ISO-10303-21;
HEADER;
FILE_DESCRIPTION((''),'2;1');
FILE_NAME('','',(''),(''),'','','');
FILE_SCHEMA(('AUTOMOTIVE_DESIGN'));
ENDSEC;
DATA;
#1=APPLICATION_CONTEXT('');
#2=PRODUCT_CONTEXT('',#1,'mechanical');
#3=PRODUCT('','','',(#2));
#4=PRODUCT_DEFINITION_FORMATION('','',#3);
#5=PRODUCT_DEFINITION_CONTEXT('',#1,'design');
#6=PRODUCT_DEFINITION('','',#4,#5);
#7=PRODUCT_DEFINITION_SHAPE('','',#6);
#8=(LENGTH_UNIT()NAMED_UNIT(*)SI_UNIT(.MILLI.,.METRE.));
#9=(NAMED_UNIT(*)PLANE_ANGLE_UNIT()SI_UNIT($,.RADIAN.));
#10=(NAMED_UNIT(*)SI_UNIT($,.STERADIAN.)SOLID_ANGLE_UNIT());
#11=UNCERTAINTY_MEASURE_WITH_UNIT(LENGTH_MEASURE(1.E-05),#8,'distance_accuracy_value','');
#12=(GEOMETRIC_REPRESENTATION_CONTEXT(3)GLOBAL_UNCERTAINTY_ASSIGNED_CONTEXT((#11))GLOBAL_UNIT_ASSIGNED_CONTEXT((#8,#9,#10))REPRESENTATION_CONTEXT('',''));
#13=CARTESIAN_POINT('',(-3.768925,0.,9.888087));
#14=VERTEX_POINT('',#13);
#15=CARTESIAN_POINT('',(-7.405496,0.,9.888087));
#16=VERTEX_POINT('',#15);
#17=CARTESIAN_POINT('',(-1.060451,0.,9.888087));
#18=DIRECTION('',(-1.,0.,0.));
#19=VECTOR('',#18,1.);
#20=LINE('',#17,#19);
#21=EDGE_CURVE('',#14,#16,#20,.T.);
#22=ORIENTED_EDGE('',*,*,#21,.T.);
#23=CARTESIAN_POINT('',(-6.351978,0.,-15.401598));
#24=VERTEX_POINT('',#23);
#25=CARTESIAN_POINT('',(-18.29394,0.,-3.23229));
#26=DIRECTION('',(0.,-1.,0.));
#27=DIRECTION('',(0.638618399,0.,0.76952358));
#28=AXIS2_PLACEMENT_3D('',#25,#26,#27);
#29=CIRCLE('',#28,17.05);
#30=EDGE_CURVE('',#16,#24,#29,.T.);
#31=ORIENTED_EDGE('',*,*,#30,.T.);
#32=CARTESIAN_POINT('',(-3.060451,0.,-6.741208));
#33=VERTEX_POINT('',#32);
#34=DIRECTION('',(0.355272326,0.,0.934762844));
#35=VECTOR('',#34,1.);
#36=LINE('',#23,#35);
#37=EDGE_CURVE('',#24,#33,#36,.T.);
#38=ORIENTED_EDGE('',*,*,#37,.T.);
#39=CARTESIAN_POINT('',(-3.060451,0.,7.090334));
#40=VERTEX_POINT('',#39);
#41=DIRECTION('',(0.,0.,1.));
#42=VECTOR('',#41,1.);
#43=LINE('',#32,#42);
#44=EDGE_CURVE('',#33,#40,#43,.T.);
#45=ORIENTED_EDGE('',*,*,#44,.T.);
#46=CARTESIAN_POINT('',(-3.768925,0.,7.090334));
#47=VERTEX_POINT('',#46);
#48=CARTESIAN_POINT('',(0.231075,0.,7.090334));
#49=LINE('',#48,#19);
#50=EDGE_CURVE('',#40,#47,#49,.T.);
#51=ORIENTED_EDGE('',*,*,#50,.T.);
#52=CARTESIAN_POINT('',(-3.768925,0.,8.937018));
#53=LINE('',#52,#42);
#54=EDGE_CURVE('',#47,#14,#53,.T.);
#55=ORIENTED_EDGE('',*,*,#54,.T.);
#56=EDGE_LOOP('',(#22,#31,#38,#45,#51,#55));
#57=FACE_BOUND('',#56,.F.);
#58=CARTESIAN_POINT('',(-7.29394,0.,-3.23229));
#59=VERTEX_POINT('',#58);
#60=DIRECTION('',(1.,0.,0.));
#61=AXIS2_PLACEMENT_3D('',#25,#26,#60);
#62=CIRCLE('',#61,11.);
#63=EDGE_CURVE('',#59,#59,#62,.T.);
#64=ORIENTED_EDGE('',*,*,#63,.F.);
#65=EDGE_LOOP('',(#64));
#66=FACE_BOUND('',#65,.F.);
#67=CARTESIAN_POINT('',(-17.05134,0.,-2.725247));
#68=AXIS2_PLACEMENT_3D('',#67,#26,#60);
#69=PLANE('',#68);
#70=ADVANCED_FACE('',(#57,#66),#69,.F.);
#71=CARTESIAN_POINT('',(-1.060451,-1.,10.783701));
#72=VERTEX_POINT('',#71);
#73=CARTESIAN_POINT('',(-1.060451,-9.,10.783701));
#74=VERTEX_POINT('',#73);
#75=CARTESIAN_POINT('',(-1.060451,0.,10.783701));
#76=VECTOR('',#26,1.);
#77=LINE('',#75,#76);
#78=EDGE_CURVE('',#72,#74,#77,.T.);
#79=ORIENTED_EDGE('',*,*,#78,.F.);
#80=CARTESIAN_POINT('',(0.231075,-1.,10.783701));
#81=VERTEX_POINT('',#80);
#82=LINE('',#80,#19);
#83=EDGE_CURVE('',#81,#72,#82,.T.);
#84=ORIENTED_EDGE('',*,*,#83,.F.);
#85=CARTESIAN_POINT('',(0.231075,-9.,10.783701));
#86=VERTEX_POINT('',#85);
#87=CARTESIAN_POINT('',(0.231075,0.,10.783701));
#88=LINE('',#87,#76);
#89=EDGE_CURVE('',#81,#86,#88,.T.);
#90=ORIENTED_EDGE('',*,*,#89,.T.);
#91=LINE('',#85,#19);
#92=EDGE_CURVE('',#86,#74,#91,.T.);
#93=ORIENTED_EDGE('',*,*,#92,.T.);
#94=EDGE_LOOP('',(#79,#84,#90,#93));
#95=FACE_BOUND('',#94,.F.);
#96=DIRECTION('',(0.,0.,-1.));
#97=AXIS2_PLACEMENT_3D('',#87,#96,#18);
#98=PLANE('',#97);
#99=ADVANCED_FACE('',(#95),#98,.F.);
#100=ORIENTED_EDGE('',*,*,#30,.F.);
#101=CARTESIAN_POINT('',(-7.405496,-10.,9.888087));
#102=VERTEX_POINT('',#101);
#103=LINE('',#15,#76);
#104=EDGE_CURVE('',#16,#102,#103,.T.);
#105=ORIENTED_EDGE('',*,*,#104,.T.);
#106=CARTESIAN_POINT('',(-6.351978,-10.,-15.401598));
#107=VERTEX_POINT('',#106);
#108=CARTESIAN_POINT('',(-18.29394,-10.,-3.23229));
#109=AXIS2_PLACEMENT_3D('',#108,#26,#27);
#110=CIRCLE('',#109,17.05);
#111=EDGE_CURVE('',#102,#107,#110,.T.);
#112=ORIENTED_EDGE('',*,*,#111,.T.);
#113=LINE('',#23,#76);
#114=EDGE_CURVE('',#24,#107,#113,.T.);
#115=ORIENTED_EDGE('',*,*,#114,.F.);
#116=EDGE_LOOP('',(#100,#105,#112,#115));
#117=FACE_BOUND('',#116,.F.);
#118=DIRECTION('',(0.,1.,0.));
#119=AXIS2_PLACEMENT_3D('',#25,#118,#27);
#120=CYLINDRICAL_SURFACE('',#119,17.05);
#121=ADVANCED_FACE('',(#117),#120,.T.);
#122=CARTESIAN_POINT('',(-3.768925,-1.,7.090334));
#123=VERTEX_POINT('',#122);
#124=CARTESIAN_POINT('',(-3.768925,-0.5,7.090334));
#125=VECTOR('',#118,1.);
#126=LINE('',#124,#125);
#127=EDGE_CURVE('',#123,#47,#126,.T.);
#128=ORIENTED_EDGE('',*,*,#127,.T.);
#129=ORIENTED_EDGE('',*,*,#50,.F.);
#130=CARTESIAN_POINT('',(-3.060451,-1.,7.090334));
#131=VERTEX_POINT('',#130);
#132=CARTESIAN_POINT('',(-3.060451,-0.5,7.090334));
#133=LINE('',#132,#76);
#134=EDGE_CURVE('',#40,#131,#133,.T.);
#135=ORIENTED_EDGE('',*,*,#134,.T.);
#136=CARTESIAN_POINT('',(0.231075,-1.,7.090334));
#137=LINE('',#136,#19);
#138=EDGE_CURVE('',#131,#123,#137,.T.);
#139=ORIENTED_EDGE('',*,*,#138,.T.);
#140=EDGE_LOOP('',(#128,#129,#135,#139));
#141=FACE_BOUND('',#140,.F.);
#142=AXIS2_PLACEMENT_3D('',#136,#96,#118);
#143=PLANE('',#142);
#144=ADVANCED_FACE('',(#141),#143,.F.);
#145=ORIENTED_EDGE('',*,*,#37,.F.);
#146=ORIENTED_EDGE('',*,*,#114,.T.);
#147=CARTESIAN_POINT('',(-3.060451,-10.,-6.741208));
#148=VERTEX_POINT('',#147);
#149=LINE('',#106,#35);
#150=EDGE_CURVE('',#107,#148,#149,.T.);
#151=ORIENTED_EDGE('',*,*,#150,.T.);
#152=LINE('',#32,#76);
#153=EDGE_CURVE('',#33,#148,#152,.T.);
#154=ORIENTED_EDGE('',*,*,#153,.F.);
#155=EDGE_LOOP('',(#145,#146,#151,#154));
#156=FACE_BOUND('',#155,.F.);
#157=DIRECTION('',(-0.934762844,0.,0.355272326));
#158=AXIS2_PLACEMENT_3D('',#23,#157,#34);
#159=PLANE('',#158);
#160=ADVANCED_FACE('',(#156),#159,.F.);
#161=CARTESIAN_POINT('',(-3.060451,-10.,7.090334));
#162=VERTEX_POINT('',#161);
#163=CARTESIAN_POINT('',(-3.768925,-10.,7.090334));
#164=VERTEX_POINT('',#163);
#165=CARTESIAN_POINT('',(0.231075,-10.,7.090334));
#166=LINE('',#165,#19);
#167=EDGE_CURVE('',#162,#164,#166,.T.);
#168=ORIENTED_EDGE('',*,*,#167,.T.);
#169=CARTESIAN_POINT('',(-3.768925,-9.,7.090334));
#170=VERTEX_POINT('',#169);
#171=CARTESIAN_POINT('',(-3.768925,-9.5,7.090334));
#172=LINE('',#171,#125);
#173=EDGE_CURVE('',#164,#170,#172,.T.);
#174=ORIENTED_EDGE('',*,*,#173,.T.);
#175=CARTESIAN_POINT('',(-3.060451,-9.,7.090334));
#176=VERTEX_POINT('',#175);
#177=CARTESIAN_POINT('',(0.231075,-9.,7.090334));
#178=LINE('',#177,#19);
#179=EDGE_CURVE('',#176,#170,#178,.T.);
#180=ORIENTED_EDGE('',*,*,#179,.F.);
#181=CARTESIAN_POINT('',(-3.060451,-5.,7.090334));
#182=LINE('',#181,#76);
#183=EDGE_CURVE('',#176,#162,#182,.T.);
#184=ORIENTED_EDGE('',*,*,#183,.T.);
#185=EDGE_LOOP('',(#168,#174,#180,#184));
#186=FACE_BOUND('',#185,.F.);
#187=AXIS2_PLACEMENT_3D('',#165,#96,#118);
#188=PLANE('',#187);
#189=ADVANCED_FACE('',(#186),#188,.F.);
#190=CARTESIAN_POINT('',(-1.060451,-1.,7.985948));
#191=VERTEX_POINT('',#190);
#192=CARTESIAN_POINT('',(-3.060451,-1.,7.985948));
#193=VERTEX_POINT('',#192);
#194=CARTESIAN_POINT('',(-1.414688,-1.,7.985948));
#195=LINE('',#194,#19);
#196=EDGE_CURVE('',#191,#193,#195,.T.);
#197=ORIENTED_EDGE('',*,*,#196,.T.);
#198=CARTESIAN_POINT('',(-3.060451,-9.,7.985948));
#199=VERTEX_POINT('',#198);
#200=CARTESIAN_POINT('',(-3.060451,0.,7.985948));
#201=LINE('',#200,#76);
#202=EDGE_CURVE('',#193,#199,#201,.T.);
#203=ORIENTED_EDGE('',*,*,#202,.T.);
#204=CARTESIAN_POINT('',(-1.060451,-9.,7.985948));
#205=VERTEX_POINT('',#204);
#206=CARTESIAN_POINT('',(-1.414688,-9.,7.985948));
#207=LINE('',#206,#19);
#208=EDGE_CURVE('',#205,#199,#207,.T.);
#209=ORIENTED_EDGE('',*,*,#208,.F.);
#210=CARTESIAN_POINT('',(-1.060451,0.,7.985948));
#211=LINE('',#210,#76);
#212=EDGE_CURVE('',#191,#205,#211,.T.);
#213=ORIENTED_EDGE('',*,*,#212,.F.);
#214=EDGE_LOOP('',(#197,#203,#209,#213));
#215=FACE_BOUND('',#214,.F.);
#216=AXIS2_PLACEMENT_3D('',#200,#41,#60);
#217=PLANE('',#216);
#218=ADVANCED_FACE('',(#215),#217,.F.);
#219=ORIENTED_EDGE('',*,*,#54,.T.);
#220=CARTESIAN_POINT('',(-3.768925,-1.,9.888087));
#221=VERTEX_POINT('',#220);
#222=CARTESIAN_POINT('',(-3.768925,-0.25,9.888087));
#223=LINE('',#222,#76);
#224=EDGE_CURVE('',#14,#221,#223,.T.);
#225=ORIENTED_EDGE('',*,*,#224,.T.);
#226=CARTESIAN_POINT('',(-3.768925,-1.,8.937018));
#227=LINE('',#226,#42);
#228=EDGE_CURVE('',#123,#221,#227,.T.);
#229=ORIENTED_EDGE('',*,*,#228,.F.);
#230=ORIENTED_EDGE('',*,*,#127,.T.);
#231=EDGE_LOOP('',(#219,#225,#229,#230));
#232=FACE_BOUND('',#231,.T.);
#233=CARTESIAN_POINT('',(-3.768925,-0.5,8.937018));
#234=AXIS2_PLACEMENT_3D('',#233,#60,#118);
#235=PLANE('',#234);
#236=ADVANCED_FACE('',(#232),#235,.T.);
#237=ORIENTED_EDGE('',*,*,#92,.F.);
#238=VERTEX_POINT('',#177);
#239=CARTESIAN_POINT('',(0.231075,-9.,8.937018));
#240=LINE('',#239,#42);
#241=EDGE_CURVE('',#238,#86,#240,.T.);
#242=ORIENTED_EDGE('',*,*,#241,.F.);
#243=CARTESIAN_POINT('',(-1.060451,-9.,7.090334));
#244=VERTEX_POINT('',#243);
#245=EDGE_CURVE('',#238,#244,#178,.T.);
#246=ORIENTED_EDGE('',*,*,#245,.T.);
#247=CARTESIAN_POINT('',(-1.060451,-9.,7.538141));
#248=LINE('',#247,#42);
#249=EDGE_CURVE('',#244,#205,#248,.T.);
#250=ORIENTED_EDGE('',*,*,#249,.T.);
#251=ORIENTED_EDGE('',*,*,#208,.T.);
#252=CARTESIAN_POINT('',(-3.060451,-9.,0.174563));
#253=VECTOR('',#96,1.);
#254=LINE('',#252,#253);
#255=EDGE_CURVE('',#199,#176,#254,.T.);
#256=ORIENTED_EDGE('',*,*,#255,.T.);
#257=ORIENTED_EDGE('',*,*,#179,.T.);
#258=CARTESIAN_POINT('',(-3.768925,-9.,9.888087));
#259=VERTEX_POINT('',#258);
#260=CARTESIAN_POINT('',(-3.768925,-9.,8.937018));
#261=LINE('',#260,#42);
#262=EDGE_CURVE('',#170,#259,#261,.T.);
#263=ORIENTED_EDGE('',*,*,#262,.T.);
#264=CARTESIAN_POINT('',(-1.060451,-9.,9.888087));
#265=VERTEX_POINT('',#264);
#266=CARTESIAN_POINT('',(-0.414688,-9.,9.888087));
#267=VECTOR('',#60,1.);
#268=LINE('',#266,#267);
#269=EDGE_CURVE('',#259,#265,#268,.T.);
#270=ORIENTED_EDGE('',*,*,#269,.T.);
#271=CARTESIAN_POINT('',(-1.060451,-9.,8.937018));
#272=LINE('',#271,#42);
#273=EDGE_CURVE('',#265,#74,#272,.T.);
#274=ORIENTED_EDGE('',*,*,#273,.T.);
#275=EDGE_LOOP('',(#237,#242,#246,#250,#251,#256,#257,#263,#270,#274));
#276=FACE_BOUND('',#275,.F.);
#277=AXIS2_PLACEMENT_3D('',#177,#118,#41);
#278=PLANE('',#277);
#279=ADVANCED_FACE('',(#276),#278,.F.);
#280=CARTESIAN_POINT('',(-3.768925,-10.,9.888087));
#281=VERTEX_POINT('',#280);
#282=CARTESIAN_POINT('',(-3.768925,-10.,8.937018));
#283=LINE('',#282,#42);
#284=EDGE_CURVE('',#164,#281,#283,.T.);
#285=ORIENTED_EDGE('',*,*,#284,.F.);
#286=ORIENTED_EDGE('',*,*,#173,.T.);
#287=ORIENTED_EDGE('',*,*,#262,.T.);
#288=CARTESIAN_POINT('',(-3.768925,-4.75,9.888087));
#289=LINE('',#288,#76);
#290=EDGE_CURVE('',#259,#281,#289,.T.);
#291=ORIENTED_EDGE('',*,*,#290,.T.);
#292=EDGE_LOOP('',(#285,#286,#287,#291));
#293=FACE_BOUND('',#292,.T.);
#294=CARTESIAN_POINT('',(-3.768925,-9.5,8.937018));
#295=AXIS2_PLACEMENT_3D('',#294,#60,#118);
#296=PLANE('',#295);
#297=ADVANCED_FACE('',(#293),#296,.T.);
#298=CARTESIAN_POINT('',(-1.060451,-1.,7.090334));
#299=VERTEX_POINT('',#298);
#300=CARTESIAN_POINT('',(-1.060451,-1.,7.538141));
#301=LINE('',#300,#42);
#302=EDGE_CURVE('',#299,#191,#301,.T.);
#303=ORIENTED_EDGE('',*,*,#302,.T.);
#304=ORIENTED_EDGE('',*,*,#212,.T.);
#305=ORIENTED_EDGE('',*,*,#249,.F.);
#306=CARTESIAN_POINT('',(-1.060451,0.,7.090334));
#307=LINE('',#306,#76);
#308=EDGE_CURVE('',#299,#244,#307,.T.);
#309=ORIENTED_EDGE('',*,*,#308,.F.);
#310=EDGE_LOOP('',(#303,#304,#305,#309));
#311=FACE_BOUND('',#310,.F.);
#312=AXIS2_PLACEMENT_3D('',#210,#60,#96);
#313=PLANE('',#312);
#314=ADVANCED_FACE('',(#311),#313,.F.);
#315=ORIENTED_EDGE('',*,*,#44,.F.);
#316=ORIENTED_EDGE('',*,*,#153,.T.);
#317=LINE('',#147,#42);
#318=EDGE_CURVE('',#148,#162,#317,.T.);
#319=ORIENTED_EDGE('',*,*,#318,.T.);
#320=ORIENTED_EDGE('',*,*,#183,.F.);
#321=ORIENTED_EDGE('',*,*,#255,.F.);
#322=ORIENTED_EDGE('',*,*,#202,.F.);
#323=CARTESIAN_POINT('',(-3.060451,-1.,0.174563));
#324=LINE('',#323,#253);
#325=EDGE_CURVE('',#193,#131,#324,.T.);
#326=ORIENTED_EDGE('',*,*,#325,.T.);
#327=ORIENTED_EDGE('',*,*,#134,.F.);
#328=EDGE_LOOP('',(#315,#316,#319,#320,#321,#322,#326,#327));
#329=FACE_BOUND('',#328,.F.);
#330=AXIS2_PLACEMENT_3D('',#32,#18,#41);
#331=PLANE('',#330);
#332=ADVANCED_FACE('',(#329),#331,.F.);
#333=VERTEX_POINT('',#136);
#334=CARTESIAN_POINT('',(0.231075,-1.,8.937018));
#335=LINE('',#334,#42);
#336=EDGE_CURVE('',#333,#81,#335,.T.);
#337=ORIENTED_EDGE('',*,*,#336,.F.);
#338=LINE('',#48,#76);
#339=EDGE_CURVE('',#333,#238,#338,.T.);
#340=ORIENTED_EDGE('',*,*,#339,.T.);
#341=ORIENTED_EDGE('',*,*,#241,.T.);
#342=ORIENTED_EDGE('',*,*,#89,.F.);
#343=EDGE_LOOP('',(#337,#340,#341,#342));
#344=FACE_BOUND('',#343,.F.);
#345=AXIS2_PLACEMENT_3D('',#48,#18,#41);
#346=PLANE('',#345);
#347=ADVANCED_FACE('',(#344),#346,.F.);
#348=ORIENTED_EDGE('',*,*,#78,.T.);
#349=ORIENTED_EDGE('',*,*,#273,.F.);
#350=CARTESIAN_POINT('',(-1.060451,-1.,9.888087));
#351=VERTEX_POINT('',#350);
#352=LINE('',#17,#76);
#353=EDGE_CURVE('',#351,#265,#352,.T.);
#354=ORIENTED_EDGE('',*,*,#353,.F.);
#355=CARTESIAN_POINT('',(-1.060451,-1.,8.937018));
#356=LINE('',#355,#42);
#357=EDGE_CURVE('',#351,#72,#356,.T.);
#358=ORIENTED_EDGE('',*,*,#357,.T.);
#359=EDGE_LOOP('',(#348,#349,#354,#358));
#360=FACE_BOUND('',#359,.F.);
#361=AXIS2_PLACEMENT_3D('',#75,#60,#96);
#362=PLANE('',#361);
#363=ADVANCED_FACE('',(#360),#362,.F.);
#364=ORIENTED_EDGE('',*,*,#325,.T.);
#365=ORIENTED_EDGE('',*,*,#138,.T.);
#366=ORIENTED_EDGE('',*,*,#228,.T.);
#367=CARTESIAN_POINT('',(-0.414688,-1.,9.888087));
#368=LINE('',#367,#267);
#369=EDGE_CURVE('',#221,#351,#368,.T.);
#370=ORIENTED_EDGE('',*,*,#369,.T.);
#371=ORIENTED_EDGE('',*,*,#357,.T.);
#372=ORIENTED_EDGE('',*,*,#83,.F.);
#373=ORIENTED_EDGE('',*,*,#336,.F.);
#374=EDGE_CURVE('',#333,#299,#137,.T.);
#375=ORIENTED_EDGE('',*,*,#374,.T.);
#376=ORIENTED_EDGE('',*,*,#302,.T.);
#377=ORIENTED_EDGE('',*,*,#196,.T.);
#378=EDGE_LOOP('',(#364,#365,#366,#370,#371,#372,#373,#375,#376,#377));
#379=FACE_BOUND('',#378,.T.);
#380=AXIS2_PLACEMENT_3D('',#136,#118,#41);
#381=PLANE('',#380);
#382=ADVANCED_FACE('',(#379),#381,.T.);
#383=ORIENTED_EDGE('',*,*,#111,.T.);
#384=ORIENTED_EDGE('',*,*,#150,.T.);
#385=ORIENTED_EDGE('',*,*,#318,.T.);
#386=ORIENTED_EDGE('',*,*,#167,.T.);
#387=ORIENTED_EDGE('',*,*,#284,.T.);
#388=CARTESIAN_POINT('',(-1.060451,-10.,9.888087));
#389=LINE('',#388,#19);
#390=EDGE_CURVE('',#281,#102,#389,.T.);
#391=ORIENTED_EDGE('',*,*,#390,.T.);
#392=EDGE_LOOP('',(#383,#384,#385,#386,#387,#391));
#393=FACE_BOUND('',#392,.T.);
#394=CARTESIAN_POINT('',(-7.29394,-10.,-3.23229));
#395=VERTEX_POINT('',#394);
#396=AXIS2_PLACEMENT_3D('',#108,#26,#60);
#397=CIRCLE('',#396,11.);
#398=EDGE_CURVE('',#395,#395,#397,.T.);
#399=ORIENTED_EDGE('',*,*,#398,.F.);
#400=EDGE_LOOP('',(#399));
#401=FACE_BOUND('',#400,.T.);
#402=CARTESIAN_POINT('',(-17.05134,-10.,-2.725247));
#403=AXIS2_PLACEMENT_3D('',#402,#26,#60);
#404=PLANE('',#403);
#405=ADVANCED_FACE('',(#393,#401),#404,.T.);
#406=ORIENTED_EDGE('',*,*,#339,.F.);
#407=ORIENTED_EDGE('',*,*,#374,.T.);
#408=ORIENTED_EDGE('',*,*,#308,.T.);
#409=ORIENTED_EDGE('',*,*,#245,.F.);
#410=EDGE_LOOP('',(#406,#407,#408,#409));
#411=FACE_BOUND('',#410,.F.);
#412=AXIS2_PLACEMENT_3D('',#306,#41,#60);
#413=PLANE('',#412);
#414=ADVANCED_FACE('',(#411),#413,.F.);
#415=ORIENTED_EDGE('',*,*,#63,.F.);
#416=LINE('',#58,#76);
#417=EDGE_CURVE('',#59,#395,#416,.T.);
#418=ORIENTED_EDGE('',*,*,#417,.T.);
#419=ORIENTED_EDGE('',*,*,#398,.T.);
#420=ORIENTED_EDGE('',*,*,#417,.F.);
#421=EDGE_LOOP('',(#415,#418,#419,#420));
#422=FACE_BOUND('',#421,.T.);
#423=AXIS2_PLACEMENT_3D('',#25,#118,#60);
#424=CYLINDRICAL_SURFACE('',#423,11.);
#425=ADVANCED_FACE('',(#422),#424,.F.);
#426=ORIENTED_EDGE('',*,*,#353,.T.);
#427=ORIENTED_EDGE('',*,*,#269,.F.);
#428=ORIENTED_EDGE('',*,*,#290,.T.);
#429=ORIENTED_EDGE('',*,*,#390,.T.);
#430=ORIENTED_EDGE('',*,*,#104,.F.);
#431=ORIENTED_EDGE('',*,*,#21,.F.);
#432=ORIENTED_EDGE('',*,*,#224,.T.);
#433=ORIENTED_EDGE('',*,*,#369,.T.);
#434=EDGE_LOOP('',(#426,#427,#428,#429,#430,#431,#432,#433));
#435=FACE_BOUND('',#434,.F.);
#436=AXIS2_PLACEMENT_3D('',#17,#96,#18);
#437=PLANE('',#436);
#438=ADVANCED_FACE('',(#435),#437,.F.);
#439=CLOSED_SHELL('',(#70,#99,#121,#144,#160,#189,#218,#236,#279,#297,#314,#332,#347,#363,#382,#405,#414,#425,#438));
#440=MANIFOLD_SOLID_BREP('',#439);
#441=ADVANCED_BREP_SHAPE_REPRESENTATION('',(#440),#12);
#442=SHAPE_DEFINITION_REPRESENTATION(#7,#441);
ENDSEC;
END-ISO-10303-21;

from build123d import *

# Parameters (mm, degrees)
F0_R     = 11
F1_DEPTH = 10
F2_W     = 1
F2_H     = 3.693367015
F3_DEPTH = 4


with BuildPart() as f1:
    # F0 (on Front) → F1 (new body)
    with BuildSketch(Plane.XZ):
        with BuildLine():
            Line((-3.0604514879, 9.8880870564), (-7.4054963655, 9.8880870564))
            ThreePointArc((-7.4054963655, 9.8880870564), (-35.3291650939, -3.9419436711), (-6.351978263, -15.4015976163))
            Line((-6.351978263, -15.4015976163), (-3.0604514879, -6.7412075195))
            Line((-3.0604514879, -6.7412075195), (-3.0604514879, 3.9817849485))
            Line((-3.0604514879, 3.9817849485), (-3.0604514879, 7.9859482356))
            Line((-3.0604514879, 7.9859482356), (-3.0604514879, 9.8880870564))
        make_face()
        with Locations((-18.2939400691, -3.2322899852)):
            Circle(F0_R, mode=Mode.SUBTRACT)
        Polygon((-1.0604514879, 9.8880870564), (-3.0604514879, 9.8880870564), (-3.0604514879, 7.9859482356), (-1.0604514879, 7.9859482356), (-1.0604514879, 7.0903341385), (0.2310752873, 7.0903341385), (0.2310752873, 10.7837011535), (-1.0604514879, 10.7837011535), align=None)
    extrude(amount=F1_DEPTH)

    # F2 (on face) → F3 (cut)
    with BuildSketch(Plane.YZ.offset(0.2310752873)):
        with Locations((-9.5, 8.937017646)):
            Rectangle(F2_W, F2_H)
        with Locations((-0.5, 8.937017646)):
            Rectangle(F2_W, F2_H)
    extrude(amount=-F3_DEPTH, mode=Mode.SUBTRACT)


solid = f1.part
